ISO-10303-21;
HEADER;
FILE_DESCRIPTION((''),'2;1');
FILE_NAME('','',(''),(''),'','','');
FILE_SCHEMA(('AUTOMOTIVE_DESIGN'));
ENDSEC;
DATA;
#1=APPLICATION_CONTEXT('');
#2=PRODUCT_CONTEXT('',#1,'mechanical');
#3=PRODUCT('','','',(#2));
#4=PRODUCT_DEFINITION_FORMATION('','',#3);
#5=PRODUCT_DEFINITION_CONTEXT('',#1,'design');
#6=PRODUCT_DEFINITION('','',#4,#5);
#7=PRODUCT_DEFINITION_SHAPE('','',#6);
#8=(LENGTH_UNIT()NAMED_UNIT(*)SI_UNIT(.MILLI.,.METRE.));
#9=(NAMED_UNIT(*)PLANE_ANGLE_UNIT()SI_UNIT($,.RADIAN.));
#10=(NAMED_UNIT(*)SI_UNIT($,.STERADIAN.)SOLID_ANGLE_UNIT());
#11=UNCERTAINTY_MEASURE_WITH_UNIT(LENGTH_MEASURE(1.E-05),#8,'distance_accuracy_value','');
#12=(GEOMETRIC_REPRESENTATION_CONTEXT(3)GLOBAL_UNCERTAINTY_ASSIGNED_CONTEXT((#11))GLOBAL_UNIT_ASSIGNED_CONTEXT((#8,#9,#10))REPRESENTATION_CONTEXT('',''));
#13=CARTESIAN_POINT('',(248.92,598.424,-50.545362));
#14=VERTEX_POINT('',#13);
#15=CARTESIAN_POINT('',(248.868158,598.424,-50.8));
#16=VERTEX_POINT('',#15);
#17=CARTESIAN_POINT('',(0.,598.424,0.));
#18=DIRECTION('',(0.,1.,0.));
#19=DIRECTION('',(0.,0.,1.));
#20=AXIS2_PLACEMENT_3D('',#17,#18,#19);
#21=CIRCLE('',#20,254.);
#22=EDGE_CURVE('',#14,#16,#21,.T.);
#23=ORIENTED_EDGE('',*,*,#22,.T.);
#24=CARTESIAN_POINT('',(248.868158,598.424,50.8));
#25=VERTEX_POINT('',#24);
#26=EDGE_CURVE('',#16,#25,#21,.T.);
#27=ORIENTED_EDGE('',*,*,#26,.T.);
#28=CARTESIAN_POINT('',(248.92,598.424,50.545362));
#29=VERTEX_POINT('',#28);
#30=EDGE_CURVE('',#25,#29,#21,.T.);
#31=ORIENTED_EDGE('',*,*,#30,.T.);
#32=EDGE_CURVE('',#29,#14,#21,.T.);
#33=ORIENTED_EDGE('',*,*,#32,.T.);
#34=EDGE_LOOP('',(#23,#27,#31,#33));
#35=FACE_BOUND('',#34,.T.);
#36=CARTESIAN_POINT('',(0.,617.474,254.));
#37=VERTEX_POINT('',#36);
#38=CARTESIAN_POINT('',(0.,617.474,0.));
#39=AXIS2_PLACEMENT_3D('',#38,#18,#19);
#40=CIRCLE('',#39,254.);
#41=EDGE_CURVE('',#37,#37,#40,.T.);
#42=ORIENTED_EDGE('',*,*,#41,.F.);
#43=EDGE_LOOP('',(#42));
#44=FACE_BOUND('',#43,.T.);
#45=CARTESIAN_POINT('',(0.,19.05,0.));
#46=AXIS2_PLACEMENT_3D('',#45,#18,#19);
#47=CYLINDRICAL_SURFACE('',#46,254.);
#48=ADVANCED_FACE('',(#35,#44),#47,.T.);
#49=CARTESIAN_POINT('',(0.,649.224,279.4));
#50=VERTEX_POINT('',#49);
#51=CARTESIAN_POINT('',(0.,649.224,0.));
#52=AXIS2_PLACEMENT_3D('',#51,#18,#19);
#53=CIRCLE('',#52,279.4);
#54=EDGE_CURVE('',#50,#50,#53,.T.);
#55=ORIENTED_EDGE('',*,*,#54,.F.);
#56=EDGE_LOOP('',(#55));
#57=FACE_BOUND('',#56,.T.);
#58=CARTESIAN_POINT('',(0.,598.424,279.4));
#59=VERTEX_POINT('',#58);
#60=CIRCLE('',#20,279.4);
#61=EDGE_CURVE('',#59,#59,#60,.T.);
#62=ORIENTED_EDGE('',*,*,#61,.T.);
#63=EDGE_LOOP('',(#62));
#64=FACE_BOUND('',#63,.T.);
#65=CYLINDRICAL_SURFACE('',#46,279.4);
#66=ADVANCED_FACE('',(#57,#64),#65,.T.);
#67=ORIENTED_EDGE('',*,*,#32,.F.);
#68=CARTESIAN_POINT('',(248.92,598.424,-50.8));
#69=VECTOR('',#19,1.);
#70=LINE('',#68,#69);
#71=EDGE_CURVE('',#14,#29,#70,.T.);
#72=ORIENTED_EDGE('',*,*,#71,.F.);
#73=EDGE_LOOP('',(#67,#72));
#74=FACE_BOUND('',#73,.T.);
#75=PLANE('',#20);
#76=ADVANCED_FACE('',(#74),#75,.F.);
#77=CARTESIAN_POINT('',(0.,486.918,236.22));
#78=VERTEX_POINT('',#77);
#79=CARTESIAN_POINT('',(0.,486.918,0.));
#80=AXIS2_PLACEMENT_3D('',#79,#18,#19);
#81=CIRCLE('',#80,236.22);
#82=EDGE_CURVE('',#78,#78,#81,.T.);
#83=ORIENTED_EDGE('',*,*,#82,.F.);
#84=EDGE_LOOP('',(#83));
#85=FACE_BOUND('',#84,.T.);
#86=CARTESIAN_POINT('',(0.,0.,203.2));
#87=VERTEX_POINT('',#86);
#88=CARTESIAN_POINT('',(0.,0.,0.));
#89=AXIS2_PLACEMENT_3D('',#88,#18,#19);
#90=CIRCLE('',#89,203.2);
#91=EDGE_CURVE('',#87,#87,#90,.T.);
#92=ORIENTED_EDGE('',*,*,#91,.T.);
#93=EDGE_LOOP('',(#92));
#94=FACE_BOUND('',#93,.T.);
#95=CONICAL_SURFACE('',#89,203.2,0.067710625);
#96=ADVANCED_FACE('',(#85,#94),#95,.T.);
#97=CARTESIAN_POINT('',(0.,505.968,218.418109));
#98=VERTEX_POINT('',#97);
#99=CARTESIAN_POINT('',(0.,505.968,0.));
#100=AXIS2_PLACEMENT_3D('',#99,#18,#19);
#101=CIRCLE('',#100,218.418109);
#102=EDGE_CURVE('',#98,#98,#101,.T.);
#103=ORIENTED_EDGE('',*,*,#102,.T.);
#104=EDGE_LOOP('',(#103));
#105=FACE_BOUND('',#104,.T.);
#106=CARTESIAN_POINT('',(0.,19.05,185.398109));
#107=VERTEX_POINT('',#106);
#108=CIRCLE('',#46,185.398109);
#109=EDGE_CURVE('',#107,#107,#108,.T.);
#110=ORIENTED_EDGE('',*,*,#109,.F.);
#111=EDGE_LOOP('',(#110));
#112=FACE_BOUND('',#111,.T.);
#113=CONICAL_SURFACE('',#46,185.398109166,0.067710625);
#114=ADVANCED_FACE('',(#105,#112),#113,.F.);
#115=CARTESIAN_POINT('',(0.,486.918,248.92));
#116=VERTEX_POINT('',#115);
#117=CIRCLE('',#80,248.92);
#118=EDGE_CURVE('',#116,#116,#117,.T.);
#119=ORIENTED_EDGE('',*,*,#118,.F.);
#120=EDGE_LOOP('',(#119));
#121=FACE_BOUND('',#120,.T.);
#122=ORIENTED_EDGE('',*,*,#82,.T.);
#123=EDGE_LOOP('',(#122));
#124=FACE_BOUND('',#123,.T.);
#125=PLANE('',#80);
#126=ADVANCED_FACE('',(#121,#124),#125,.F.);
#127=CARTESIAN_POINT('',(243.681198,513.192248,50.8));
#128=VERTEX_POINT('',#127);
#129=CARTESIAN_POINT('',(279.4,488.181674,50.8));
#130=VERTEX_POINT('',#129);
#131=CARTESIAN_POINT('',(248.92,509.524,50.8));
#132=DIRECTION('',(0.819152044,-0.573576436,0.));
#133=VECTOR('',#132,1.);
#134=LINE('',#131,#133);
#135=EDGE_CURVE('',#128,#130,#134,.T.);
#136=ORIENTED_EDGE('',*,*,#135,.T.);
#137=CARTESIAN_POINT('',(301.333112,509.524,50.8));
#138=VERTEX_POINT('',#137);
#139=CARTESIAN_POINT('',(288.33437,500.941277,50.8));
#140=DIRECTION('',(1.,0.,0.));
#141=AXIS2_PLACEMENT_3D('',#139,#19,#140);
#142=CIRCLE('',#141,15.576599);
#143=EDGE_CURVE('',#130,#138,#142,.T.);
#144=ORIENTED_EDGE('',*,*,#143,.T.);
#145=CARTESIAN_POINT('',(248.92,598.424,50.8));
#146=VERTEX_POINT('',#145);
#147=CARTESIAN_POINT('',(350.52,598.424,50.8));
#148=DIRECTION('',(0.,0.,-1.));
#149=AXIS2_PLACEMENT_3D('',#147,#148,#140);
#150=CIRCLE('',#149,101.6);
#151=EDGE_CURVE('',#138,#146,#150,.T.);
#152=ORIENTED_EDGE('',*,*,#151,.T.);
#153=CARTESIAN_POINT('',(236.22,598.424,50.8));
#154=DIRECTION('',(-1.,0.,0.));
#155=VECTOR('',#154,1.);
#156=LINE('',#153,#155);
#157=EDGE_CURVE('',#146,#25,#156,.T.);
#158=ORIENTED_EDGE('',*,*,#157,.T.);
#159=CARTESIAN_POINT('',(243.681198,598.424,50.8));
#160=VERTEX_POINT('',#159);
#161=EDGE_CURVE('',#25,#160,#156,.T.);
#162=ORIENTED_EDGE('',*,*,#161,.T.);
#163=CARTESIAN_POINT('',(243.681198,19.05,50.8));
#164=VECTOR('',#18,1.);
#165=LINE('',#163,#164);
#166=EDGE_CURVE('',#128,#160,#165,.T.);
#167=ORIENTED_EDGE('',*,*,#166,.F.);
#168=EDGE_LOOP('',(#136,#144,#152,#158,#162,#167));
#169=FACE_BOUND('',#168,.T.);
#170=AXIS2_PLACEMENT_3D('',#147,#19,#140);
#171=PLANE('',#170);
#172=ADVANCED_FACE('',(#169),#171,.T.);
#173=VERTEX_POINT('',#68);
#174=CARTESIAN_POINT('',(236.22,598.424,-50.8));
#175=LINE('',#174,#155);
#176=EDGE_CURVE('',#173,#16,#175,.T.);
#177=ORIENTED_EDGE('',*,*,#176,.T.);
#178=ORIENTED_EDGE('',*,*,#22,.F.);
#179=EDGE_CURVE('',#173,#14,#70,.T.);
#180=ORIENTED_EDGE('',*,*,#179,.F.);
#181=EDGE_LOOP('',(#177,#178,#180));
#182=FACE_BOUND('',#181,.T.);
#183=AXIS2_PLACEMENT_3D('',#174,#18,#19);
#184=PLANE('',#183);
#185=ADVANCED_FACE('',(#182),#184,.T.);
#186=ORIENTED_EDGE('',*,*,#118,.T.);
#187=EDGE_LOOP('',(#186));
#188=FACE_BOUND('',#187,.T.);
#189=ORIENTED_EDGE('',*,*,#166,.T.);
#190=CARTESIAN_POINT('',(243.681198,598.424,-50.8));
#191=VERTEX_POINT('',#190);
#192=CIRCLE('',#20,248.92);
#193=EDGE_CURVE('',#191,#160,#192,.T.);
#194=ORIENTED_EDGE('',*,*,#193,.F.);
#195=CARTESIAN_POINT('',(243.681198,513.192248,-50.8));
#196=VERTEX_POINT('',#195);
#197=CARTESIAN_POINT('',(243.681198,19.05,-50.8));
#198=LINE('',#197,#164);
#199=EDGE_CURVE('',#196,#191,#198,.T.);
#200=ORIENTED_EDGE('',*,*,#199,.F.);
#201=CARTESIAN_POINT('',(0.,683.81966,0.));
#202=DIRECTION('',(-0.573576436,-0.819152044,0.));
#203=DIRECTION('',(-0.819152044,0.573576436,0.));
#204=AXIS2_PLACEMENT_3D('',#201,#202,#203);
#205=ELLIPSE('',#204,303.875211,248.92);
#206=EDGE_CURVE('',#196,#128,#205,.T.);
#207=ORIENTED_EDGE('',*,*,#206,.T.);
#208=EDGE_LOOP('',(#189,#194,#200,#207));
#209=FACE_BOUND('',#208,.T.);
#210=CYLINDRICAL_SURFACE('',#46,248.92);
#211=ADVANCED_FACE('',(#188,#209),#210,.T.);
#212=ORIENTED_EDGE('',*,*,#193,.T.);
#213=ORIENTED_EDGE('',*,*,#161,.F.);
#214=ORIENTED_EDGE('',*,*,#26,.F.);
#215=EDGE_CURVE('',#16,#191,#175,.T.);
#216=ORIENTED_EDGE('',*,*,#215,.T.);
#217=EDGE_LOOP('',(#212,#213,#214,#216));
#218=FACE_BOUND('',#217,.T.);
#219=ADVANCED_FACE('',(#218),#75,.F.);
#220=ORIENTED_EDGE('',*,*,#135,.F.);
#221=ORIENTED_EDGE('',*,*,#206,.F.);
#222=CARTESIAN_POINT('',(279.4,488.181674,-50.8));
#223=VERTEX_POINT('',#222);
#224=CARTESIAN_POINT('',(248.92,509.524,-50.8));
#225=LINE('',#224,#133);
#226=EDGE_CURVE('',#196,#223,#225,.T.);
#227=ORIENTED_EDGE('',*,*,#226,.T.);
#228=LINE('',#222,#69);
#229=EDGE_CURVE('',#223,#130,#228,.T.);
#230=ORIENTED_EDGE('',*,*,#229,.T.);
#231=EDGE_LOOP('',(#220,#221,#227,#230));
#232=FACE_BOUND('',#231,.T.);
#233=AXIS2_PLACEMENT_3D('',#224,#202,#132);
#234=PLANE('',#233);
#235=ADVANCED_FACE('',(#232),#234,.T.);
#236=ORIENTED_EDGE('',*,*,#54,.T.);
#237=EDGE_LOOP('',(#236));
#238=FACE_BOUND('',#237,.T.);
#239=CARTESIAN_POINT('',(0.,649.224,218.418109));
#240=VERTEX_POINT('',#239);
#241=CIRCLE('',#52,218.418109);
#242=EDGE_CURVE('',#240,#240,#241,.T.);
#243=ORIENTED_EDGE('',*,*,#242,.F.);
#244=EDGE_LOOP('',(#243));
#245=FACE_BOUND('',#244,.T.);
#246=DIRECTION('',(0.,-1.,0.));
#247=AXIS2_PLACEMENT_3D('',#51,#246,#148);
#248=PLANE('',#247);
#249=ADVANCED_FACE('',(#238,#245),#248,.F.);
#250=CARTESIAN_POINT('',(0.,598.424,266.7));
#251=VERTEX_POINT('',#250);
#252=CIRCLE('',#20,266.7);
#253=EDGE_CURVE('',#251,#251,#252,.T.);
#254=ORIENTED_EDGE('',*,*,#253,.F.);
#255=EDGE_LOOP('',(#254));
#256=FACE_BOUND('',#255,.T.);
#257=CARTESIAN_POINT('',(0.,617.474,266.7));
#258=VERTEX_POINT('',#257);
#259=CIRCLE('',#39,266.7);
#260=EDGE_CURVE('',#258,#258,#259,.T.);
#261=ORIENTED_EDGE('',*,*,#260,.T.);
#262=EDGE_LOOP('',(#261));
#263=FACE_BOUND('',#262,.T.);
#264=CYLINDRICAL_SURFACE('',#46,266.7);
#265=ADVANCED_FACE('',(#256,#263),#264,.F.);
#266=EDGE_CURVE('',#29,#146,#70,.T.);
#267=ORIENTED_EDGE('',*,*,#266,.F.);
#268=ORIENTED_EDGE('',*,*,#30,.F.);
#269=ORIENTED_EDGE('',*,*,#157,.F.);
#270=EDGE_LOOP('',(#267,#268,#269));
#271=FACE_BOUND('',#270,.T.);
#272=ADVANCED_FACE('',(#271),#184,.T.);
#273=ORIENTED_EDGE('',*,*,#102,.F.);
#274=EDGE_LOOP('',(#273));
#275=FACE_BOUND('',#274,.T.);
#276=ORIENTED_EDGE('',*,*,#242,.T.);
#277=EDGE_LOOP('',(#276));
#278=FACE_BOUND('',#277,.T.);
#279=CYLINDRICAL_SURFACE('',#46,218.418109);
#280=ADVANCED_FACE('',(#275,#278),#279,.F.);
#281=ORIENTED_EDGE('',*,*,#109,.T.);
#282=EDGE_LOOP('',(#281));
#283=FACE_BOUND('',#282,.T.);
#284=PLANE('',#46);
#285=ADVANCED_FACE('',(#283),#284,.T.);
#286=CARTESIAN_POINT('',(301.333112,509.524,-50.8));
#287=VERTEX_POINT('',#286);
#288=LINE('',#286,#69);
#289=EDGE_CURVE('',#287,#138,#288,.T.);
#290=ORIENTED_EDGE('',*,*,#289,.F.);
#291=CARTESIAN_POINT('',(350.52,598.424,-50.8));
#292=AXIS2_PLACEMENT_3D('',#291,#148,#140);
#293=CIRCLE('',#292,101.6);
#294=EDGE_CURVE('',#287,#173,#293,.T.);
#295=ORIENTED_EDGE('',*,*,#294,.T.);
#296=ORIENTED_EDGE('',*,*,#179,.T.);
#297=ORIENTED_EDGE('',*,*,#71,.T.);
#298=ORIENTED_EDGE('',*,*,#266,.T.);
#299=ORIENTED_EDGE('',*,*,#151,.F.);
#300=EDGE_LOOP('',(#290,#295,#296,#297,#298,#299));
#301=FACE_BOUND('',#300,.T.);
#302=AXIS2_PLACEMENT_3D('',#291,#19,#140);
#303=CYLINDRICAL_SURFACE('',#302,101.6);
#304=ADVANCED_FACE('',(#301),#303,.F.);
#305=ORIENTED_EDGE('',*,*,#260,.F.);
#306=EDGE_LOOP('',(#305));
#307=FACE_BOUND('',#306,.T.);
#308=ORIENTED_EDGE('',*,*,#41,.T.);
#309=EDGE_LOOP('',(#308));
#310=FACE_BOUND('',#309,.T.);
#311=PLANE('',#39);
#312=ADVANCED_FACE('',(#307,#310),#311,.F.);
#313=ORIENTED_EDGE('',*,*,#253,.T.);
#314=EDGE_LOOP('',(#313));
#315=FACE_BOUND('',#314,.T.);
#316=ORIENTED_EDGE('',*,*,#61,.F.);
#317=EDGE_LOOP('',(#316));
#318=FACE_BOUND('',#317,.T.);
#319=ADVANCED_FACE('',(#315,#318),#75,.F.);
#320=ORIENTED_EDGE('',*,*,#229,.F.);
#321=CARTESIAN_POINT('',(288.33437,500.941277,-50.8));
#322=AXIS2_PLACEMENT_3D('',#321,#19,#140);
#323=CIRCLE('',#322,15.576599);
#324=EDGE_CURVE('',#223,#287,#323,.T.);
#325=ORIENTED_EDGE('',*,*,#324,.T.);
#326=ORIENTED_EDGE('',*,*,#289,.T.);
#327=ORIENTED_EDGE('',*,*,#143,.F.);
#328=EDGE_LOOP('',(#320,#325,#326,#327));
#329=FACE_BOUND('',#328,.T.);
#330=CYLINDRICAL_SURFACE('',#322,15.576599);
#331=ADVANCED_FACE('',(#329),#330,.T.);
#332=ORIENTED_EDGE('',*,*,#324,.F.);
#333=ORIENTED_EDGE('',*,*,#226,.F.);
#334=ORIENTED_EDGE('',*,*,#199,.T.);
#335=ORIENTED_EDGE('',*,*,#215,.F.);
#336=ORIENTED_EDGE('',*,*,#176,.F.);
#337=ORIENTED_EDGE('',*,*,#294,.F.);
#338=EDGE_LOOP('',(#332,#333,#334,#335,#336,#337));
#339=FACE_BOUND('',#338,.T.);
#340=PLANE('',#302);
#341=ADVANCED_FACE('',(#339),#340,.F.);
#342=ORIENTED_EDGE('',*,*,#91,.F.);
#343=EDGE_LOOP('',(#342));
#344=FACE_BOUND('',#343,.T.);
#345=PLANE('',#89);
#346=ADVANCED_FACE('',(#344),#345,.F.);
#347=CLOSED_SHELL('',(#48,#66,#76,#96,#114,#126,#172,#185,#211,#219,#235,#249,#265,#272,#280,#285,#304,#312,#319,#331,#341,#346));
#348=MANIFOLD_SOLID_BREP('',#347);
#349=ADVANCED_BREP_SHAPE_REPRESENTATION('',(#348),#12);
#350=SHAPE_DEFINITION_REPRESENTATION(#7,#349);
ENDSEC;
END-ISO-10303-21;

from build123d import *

# Parameters (mm, degrees)
BOSS_EXTRUDE1_DEPTH      = 50.8
BOSS_EXTRUDE1_DEPTH_BACK = 50.8


with BuildPart() as part:
    # Sketch1 → Revolve1 (revolve)
    with BuildSketch(Plane.XY):
        Polygon((0, 19.05), (0, 0), (203.2, 0), (236.22, 486.918), (248.92, 486.918), (248.92, 598.424), (254, 598.424), (254, 617.474), (266.7, 617.474), (266.7, 598.424), (279.4, 598.424), (279.4, 649.224), (218.418109166, 649.224), (218.418109166, 505.968), (185.398109166, 19.05), align=None)
    revolve(axis=Axis((0, 19.05, 0), (0, -1, 0)))

    # Sketch2 → Boss-Extrude1 (add, two sides: drawn at the far end of the back side and taken through both)
    with BuildSketch(Plane.XY.offset(-BOSS_EXTRUDE1_DEPTH_BACK)):
        with BuildLine():
            Line((248.92, 509.524), (279.4, 488.181674235))
            ThreePointArc((279.4, 488.181674235), (299.197311316, 489.777633759), (301.333111503, 509.524))
            ThreePointArc((301.333111503, 509.524), (262.998722955, 546.823747439), (248.92, 598.424))
            Line((248.92, 598.424), (236.22, 598.424))
            Line((236.22, 598.424), (236.22, 518.416635735))
            Line((236.22, 518.416635735), (248.92, 509.524))
        make_face()
    extrude(amount=BOSS_EXTRUDE1_DEPTH + BOSS_EXTRUDE1_DEPTH_BACK)


solid = part.part
